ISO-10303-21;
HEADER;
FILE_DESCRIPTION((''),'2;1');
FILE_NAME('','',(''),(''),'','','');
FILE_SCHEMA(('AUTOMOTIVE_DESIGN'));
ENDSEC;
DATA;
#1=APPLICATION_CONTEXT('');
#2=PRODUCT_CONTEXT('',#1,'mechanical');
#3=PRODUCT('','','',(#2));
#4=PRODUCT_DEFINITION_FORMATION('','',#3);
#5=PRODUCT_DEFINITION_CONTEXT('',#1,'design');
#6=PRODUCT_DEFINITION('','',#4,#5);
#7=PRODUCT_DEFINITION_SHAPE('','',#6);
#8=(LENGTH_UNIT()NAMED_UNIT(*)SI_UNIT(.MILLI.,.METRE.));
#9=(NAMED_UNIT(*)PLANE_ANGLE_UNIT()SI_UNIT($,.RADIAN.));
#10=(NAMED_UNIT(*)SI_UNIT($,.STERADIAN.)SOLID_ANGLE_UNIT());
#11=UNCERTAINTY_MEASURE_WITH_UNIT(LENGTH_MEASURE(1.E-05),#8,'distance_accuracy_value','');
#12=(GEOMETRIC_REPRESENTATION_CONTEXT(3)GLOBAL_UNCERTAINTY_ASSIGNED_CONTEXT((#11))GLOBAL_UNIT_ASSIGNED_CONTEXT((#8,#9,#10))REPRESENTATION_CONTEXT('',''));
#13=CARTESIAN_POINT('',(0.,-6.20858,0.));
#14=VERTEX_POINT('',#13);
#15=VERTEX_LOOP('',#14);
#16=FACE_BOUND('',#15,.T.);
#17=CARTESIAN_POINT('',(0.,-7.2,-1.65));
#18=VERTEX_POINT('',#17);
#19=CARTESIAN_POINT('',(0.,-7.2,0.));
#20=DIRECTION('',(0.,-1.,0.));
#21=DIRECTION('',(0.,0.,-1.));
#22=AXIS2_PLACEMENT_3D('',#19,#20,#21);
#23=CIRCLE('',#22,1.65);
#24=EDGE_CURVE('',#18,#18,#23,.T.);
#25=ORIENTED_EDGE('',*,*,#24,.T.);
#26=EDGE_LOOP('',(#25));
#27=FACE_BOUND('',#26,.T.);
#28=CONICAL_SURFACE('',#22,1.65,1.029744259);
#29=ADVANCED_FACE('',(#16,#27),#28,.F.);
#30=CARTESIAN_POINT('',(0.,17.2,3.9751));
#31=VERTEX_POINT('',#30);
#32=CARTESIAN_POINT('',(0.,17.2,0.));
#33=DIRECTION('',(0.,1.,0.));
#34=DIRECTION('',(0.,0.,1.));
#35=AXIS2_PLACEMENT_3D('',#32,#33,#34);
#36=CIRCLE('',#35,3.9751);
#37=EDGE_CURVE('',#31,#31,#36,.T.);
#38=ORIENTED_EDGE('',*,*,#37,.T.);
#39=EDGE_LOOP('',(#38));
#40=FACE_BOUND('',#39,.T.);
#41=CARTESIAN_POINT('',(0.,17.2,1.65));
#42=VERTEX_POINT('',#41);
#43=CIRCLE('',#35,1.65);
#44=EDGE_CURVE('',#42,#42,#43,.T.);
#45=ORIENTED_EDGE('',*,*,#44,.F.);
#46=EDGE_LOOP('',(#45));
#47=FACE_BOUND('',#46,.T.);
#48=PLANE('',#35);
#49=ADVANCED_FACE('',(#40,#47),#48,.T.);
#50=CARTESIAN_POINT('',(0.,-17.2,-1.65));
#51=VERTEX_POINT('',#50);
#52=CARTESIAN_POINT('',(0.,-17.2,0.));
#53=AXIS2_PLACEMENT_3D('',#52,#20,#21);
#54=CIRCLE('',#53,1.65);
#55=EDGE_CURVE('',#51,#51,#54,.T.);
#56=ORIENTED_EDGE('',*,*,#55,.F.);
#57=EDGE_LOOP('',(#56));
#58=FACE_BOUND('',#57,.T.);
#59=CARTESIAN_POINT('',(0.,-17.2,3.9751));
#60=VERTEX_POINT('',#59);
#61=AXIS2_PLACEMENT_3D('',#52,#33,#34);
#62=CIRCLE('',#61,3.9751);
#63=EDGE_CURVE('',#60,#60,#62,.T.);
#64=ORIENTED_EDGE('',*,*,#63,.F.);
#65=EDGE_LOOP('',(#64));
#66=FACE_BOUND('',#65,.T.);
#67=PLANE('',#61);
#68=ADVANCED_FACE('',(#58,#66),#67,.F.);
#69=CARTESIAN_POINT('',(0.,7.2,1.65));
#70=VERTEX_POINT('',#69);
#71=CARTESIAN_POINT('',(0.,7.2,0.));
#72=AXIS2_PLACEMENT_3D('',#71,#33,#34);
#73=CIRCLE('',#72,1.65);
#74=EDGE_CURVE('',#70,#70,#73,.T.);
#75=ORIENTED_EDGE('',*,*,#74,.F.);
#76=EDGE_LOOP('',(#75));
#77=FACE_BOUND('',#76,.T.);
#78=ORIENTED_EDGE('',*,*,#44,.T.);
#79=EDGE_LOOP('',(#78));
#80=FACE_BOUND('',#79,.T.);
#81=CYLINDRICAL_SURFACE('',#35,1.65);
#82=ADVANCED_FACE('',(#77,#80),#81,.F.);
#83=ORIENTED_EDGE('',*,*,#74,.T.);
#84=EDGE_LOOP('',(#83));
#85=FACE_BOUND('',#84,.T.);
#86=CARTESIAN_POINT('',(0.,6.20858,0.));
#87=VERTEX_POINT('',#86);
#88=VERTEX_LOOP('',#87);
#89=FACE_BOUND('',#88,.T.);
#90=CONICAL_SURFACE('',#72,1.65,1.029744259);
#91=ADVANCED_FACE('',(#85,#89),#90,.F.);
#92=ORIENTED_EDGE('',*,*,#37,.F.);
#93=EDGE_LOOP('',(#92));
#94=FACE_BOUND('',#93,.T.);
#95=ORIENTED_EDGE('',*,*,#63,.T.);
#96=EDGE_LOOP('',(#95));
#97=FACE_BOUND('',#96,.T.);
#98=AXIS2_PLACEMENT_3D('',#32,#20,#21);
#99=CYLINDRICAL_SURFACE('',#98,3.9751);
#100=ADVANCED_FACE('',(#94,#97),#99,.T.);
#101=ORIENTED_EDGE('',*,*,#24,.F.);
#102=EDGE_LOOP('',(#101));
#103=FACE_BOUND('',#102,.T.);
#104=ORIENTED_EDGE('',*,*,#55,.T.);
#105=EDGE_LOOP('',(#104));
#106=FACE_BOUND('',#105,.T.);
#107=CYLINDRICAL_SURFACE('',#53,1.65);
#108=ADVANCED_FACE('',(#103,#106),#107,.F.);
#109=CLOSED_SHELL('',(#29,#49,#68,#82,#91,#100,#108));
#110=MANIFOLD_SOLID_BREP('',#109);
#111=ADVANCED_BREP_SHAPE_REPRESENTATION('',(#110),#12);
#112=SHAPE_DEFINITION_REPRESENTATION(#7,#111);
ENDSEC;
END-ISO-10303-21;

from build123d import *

# Parameters (mm, degrees)
SKETCH2_R                 = 3.9751
BOSS_EXTRUDE1_DEPTH       = 17.2
M4X0_7_TAPPED_HOLE1_D     = 3.3
M4X0_7_TAPPED_HOLE1_DEPTH = 10
M4X0_7_TAPPED_HOLE1_TIP   = 0.991420021
M4X0_7_TAPPED_HOLE2_D     = 3.3
M4X0_7_TAPPED_HOLE2_DEPTH = 10
M4X0_7_TAPPED_HOLE2_TIP   = 0.991420021


with BuildPart() as part:
    # Sketch2 → Boss-Extrude1 (new body, symmetric)
    with BuildSketch(Plane(origin=(0, 0, 0), x_dir=(1, 0, 0), z_dir=(0, 1, 0))):
        Circle(SKETCH2_R)
    extrude(amount=BOSS_EXTRUDE1_DEPTH, both=True)

    # M4x0.7 Tapped Hole1
    with Locations(Plane(origin=(0, 17.2, 0), x_dir=(1, 0, 0), z_dir=(0, 1, 0))):
        with Locations((0, 0)):
            Hole(M4X0_7_TAPPED_HOLE1_D / 2, depth=M4X0_7_TAPPED_HOLE1_DEPTH)
            with Locations((0, 0, -(M4X0_7_TAPPED_HOLE1_DEPTH + M4X0_7_TAPPED_HOLE1_TIP / 2))):  # 118° drill point
                Cone(0, M4X0_7_TAPPED_HOLE1_D / 2, M4X0_7_TAPPED_HOLE1_TIP, mode=Mode.SUBTRACT)

    # M4x0.7 Tapped Hole2
    with Locations(Plane(origin=(0, -17.2, 0), x_dir=(-1, 0, 0), z_dir=(0, -1, 0))):
        with Locations((0, 0)):
            Hole(M4X0_7_TAPPED_HOLE2_D / 2, depth=M4X0_7_TAPPED_HOLE2_DEPTH)
            with Locations((0, 0, -(M4X0_7_TAPPED_HOLE2_DEPTH + M4X0_7_TAPPED_HOLE2_TIP / 2))):  # 118° drill point
                Cone(0, M4X0_7_TAPPED_HOLE2_D / 2, M4X0_7_TAPPED_HOLE2_TIP, mode=Mode.SUBTRACT)


solid = part.part
